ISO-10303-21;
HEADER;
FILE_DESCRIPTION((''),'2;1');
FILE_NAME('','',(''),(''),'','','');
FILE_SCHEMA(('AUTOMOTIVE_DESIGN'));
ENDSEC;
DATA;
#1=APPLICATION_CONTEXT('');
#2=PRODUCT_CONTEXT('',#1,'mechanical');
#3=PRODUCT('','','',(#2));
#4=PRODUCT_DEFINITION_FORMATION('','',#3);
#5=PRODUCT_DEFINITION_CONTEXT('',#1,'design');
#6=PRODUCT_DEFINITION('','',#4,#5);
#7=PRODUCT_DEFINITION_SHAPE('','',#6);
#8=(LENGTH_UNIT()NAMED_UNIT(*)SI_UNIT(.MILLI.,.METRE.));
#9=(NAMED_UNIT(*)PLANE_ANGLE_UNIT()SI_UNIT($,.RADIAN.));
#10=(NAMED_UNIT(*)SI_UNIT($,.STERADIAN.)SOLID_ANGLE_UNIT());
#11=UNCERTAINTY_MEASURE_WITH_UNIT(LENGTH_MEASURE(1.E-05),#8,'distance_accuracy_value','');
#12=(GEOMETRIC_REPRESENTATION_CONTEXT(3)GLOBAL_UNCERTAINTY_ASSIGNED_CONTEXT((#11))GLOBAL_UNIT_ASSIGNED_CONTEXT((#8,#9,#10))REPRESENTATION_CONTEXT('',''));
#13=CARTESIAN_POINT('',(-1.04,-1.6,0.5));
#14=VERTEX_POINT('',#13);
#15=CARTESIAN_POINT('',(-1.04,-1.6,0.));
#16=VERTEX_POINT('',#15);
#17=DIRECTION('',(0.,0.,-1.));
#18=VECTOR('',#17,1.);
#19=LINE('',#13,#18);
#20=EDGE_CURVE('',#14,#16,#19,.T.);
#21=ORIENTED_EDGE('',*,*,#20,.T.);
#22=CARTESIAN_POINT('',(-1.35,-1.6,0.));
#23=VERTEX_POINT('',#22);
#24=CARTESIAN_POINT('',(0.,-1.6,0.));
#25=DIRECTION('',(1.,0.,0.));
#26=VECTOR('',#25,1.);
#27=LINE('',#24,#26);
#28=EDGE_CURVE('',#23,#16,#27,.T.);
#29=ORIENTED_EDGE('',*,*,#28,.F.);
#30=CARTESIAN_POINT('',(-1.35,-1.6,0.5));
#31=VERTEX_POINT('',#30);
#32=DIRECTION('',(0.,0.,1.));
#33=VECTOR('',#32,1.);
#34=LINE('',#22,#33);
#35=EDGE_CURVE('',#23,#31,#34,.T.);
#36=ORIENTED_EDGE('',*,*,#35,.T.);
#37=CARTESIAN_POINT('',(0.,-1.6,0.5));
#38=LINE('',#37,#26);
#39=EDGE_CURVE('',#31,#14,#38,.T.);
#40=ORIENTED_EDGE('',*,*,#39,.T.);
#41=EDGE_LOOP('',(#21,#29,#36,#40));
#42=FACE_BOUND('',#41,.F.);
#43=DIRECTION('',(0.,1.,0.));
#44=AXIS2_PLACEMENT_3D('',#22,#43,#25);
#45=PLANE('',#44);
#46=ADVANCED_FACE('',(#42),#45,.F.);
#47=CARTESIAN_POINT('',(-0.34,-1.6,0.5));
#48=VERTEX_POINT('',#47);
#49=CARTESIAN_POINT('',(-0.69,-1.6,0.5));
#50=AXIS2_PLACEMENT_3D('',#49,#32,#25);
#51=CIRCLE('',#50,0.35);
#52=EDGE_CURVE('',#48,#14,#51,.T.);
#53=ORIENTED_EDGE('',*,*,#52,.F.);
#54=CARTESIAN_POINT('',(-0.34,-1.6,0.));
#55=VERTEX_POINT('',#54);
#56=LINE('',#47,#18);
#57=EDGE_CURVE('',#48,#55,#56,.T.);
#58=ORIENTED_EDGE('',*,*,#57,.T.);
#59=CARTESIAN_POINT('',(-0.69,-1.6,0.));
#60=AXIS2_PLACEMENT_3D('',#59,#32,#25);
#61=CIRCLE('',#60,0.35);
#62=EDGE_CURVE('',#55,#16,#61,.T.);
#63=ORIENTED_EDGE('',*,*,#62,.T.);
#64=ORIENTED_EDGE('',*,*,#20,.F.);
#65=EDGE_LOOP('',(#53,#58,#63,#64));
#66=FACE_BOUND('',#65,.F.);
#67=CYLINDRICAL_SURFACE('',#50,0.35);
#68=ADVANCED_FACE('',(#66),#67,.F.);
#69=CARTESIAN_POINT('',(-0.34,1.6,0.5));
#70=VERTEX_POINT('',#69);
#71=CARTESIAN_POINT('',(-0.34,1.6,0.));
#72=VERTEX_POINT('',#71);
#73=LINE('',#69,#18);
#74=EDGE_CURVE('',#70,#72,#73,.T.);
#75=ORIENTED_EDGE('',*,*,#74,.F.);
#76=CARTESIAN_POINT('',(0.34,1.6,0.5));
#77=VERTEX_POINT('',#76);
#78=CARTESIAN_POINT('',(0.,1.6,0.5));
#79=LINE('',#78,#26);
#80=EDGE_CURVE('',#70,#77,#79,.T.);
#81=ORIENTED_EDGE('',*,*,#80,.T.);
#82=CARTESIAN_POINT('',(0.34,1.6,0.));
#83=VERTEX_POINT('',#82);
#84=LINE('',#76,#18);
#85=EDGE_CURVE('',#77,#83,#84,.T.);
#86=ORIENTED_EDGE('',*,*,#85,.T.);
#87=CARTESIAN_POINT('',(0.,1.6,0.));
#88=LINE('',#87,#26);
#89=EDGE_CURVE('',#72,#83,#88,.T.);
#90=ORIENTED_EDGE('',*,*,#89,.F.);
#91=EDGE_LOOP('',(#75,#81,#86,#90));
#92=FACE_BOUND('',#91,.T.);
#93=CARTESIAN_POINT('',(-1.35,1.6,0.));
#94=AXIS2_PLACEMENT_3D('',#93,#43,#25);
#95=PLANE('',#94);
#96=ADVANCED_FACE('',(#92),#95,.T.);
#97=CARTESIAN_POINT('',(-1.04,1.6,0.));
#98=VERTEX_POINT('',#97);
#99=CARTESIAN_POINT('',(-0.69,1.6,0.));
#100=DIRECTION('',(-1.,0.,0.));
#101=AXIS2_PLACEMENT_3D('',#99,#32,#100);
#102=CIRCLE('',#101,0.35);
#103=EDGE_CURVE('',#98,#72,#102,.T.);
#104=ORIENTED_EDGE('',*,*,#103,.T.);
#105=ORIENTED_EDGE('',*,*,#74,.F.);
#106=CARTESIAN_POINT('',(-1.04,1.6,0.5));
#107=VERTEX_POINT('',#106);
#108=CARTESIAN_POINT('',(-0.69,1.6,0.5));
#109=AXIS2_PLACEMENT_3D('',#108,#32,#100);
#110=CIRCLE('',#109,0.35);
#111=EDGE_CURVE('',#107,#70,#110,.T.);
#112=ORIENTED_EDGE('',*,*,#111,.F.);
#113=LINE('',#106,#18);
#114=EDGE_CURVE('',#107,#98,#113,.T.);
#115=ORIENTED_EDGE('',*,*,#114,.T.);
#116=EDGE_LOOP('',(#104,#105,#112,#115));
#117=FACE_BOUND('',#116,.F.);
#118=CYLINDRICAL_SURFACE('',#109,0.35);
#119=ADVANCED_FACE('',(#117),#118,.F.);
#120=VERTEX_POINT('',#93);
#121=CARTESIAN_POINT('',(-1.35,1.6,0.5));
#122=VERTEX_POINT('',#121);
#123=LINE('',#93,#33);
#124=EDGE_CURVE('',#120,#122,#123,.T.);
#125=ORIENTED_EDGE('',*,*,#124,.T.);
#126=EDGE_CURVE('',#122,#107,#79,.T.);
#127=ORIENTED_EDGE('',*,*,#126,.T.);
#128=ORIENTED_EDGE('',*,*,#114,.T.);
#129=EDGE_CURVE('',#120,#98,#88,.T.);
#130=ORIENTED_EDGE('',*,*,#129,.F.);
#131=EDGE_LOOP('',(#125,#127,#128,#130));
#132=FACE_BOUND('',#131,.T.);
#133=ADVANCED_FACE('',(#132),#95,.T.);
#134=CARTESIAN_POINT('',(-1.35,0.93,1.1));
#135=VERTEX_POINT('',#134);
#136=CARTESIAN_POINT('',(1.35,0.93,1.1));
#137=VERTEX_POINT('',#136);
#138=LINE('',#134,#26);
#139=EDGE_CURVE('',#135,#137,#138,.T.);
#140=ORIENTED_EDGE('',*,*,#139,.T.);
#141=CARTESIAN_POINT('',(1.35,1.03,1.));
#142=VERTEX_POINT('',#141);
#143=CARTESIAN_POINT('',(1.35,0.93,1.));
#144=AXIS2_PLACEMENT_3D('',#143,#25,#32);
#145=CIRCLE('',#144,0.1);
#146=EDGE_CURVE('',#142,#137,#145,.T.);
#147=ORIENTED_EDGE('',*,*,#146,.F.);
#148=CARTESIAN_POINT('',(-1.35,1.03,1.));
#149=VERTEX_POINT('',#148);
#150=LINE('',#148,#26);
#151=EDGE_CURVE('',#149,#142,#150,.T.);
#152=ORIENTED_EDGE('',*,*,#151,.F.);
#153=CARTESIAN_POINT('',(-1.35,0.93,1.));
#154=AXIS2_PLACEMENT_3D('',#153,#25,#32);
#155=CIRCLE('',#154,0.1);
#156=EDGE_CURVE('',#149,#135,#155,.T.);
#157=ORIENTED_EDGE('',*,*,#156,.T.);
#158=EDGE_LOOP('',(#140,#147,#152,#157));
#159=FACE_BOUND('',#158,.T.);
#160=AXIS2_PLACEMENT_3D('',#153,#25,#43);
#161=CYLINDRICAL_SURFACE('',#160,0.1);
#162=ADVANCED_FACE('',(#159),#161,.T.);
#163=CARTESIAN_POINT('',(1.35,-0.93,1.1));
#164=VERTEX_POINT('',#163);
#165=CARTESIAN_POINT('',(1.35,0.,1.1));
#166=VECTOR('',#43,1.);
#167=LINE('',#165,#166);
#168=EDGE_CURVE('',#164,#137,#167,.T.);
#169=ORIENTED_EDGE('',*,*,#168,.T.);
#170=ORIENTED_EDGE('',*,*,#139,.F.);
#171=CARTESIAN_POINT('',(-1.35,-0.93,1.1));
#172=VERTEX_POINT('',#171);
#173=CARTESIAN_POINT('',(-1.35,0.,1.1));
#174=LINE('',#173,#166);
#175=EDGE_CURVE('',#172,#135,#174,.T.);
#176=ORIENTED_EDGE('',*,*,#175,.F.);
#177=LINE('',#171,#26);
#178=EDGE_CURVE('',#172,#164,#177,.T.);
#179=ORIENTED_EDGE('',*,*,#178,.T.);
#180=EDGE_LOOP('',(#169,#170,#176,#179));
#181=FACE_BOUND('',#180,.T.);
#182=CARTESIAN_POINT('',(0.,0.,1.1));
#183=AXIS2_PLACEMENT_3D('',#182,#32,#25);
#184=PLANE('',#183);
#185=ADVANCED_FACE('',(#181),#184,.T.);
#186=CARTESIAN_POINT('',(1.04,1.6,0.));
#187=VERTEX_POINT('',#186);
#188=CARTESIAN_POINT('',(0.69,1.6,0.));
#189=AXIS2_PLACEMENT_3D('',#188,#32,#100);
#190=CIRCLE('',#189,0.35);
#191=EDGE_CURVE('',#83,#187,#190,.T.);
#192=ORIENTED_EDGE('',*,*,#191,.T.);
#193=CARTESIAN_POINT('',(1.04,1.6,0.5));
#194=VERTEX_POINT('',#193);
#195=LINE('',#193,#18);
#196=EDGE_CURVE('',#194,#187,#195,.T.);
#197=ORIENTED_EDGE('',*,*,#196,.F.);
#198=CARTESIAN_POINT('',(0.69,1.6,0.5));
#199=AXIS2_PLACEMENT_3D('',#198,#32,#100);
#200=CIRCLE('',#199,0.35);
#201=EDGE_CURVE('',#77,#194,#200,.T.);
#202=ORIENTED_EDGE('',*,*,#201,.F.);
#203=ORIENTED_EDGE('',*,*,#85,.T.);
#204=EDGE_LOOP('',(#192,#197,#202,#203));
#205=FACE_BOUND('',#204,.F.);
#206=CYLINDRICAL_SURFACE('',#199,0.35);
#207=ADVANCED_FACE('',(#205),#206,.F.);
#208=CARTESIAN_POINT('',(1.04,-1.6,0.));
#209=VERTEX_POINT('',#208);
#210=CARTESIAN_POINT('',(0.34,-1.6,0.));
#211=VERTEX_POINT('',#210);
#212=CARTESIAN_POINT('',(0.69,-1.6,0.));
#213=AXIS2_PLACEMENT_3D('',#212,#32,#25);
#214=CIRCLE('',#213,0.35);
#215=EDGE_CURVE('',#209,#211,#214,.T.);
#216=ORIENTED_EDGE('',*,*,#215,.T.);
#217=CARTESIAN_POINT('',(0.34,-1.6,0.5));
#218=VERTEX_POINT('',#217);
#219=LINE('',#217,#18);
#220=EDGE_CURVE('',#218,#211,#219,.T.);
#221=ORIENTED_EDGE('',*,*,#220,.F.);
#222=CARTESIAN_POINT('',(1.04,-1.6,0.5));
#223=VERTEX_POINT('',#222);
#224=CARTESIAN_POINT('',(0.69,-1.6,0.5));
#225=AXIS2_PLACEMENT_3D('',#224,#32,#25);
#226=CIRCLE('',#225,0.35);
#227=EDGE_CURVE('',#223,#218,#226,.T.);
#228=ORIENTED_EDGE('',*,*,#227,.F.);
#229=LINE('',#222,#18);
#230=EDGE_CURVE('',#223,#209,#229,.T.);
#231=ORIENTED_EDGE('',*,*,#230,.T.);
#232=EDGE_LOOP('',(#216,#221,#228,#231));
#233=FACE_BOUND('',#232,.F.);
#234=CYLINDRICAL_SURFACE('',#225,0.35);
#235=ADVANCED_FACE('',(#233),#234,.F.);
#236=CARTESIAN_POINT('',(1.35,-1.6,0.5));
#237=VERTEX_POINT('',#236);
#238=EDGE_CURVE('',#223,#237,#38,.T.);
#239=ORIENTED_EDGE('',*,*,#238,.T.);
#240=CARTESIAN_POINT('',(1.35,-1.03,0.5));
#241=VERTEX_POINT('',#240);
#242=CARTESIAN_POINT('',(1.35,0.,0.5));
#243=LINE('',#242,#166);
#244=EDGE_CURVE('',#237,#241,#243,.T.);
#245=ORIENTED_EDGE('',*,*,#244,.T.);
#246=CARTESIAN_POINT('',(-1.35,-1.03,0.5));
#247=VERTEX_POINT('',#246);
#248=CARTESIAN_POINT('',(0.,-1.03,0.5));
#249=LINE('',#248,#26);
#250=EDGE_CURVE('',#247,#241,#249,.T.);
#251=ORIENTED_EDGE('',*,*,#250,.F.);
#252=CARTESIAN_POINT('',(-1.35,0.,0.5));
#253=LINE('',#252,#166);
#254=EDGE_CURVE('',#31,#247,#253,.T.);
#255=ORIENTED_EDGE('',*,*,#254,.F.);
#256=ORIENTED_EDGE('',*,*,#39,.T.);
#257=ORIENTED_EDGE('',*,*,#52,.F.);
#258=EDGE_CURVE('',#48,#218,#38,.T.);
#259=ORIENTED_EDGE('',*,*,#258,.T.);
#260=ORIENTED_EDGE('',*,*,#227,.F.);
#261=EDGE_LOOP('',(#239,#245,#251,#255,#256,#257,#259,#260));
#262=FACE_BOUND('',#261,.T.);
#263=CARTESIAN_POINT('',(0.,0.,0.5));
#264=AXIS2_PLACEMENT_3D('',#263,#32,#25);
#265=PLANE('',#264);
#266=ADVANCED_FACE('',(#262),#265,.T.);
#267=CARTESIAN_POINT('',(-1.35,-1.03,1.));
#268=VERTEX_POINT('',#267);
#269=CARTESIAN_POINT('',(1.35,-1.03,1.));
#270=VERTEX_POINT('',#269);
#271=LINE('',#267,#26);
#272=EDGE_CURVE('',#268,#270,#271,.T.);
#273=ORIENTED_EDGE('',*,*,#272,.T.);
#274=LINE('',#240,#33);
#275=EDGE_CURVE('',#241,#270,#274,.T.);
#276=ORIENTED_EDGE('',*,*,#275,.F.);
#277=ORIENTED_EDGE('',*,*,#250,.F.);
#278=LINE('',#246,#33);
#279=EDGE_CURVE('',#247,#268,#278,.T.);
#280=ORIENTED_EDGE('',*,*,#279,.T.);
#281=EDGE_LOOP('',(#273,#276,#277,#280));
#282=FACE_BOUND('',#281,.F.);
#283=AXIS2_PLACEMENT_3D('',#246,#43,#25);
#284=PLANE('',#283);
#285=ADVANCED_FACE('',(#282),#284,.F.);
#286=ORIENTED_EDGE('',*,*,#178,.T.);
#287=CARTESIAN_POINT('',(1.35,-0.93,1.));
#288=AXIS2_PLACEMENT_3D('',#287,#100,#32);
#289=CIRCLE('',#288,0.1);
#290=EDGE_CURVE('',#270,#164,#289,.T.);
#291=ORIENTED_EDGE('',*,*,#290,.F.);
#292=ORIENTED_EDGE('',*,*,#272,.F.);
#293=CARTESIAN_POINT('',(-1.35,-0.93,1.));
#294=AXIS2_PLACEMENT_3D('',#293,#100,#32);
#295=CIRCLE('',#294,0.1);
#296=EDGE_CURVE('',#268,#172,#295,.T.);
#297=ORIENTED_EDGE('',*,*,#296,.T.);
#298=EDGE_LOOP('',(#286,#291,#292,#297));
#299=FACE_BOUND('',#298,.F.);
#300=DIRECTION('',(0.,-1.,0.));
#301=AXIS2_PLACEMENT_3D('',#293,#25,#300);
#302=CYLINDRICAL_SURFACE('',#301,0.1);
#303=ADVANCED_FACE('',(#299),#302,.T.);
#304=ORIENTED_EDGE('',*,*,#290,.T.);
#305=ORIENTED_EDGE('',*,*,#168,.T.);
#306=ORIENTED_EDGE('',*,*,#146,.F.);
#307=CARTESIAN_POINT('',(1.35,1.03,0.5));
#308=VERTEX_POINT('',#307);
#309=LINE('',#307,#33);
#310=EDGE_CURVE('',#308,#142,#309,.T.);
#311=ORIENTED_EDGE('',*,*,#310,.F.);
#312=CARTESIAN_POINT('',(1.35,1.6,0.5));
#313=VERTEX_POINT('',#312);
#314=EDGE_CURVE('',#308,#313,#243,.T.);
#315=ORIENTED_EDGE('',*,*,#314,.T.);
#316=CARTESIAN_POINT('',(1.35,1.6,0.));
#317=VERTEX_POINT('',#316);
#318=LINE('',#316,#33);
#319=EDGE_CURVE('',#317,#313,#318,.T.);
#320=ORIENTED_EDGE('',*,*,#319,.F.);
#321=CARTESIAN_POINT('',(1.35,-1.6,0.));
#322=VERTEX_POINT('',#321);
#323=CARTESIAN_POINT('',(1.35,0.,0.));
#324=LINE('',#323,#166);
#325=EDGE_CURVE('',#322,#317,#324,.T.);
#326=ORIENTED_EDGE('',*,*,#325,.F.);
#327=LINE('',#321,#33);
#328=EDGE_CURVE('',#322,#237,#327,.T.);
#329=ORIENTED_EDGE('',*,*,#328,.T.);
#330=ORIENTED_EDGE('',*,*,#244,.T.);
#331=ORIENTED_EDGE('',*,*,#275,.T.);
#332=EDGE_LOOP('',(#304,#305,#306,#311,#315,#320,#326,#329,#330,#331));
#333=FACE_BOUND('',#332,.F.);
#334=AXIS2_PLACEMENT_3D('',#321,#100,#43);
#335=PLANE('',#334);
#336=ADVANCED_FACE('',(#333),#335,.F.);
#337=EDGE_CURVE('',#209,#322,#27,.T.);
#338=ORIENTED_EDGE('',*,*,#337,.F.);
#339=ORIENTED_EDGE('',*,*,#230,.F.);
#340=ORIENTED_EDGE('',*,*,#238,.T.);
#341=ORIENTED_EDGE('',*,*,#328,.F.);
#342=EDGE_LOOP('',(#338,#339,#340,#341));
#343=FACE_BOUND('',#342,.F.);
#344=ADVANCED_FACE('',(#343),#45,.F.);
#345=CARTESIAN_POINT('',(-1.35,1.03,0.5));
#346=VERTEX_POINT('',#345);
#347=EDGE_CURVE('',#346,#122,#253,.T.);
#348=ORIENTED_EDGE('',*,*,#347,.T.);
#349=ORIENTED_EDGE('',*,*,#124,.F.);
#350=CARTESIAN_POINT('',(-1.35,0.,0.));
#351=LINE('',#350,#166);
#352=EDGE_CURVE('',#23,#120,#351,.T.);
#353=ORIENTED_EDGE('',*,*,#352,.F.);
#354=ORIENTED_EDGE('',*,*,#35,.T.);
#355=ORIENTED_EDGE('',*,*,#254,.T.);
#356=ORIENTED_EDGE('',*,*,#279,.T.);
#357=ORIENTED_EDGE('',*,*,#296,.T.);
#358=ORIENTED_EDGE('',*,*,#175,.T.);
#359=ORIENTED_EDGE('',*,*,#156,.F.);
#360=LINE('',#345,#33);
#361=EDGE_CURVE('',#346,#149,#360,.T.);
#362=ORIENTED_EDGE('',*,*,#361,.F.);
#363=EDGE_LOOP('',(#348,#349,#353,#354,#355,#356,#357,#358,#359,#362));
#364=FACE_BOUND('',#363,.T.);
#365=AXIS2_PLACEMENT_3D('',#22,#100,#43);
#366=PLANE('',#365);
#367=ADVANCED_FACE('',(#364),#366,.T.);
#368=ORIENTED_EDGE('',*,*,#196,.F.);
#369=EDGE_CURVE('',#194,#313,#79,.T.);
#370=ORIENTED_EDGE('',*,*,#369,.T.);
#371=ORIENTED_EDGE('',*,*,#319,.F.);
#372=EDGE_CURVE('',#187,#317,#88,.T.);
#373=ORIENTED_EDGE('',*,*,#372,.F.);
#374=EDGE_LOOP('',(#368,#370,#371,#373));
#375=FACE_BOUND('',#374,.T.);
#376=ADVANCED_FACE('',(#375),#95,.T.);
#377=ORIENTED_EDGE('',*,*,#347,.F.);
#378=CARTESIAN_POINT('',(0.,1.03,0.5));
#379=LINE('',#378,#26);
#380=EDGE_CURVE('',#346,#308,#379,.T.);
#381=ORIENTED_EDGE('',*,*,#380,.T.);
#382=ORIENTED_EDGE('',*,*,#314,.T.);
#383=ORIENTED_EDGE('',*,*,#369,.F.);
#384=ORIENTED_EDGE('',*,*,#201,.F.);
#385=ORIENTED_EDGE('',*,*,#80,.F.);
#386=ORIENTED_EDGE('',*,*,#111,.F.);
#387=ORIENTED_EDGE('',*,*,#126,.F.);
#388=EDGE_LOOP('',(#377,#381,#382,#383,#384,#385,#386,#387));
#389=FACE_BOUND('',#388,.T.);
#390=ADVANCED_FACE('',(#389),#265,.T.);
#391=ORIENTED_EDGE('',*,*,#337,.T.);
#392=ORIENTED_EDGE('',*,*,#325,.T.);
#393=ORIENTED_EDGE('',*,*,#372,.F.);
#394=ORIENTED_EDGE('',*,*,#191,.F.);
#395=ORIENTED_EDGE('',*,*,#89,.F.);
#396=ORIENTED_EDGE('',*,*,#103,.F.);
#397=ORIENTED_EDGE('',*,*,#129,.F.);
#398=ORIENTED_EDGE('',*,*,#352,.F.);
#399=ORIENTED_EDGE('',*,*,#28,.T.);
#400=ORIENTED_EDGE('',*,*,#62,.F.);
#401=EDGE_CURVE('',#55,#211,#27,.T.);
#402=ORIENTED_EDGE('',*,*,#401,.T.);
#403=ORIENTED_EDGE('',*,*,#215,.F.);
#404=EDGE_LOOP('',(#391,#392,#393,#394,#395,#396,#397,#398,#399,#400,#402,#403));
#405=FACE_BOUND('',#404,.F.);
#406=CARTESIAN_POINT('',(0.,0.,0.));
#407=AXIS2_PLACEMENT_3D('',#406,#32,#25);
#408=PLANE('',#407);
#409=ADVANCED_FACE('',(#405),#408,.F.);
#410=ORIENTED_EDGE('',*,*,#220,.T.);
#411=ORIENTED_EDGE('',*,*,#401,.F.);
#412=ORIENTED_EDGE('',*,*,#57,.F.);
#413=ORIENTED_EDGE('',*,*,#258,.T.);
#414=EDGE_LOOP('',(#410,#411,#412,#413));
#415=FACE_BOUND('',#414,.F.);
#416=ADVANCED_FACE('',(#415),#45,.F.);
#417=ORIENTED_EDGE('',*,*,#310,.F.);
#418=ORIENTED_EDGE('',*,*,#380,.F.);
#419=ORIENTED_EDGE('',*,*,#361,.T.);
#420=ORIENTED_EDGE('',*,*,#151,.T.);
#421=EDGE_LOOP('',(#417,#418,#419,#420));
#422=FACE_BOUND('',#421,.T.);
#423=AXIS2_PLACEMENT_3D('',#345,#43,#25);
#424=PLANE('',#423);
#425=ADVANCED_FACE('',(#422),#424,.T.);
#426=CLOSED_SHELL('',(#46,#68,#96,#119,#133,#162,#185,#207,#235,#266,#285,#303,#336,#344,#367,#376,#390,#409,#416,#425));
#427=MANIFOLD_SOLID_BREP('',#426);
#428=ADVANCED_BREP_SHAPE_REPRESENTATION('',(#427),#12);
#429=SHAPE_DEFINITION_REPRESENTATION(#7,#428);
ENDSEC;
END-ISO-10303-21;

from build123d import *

# Parameters (mm, degrees)
F0_W     = 2.7
F0_H     = 3.2
F1_DEPTH = 0.5
F3_DEPTH = 0.501
F4_W     = 2.7
F4_H     = 2.06
F5_DEPTH = 0.6
F6_R     = 0.1


with BuildPart() as f1:
    # F0 (on Top) → F1 (new body)
    with BuildSketch(Plane.XY):
        Rectangle(F0_W, F0_H)
    extrude(amount=F1_DEPTH)

    # F2 (on face) → F3 (cut, through all)
    with BuildSketch(Plane.XY.offset(0.5)):
        with BuildLine():
            Line((-0.34, 1.6), (-1.04, 1.6))
            ThreePointArc((-1.04, 1.6), (-0.69, 1.25), (-0.34, 1.6))
        make_face()
        with BuildLine():
            Line((1.04, 1.6), (0.34, 1.6))
            ThreePointArc((0.34, 1.6), (0.69, 1.25), (1.04, 1.6))
        make_face()
        with BuildLine():
            ThreePointArc((1.04, -1.6), (0.69, -1.25), (0.34, -1.6))
            Line((0.34, -1.6), (1.04, -1.6))
        make_face()
        with BuildLine():
            ThreePointArc((-0.34, -1.6), (-0.69, -1.25), (-1.04, -1.6))
            Line((-1.04, -1.6), (-0.34, -1.6))
        make_face()
    extrude(amount=-F3_DEPTH, mode=Mode.SUBTRACT)

    # F4 (on face) → F5 (join)
    with BuildSketch(Plane.XY.offset(0.5)):
        Rectangle(F4_W, F4_H)
    extrude(amount=F5_DEPTH)

    # F6
    f6_edges = [f1.edges().sort_by_distance(p)[0] for p in [
        (0, 1.03, 1.1),
        (0, -1.03, 1.1),
    ]]
    fillet(f6_edges, radius=F6_R)


solid = f1.part
